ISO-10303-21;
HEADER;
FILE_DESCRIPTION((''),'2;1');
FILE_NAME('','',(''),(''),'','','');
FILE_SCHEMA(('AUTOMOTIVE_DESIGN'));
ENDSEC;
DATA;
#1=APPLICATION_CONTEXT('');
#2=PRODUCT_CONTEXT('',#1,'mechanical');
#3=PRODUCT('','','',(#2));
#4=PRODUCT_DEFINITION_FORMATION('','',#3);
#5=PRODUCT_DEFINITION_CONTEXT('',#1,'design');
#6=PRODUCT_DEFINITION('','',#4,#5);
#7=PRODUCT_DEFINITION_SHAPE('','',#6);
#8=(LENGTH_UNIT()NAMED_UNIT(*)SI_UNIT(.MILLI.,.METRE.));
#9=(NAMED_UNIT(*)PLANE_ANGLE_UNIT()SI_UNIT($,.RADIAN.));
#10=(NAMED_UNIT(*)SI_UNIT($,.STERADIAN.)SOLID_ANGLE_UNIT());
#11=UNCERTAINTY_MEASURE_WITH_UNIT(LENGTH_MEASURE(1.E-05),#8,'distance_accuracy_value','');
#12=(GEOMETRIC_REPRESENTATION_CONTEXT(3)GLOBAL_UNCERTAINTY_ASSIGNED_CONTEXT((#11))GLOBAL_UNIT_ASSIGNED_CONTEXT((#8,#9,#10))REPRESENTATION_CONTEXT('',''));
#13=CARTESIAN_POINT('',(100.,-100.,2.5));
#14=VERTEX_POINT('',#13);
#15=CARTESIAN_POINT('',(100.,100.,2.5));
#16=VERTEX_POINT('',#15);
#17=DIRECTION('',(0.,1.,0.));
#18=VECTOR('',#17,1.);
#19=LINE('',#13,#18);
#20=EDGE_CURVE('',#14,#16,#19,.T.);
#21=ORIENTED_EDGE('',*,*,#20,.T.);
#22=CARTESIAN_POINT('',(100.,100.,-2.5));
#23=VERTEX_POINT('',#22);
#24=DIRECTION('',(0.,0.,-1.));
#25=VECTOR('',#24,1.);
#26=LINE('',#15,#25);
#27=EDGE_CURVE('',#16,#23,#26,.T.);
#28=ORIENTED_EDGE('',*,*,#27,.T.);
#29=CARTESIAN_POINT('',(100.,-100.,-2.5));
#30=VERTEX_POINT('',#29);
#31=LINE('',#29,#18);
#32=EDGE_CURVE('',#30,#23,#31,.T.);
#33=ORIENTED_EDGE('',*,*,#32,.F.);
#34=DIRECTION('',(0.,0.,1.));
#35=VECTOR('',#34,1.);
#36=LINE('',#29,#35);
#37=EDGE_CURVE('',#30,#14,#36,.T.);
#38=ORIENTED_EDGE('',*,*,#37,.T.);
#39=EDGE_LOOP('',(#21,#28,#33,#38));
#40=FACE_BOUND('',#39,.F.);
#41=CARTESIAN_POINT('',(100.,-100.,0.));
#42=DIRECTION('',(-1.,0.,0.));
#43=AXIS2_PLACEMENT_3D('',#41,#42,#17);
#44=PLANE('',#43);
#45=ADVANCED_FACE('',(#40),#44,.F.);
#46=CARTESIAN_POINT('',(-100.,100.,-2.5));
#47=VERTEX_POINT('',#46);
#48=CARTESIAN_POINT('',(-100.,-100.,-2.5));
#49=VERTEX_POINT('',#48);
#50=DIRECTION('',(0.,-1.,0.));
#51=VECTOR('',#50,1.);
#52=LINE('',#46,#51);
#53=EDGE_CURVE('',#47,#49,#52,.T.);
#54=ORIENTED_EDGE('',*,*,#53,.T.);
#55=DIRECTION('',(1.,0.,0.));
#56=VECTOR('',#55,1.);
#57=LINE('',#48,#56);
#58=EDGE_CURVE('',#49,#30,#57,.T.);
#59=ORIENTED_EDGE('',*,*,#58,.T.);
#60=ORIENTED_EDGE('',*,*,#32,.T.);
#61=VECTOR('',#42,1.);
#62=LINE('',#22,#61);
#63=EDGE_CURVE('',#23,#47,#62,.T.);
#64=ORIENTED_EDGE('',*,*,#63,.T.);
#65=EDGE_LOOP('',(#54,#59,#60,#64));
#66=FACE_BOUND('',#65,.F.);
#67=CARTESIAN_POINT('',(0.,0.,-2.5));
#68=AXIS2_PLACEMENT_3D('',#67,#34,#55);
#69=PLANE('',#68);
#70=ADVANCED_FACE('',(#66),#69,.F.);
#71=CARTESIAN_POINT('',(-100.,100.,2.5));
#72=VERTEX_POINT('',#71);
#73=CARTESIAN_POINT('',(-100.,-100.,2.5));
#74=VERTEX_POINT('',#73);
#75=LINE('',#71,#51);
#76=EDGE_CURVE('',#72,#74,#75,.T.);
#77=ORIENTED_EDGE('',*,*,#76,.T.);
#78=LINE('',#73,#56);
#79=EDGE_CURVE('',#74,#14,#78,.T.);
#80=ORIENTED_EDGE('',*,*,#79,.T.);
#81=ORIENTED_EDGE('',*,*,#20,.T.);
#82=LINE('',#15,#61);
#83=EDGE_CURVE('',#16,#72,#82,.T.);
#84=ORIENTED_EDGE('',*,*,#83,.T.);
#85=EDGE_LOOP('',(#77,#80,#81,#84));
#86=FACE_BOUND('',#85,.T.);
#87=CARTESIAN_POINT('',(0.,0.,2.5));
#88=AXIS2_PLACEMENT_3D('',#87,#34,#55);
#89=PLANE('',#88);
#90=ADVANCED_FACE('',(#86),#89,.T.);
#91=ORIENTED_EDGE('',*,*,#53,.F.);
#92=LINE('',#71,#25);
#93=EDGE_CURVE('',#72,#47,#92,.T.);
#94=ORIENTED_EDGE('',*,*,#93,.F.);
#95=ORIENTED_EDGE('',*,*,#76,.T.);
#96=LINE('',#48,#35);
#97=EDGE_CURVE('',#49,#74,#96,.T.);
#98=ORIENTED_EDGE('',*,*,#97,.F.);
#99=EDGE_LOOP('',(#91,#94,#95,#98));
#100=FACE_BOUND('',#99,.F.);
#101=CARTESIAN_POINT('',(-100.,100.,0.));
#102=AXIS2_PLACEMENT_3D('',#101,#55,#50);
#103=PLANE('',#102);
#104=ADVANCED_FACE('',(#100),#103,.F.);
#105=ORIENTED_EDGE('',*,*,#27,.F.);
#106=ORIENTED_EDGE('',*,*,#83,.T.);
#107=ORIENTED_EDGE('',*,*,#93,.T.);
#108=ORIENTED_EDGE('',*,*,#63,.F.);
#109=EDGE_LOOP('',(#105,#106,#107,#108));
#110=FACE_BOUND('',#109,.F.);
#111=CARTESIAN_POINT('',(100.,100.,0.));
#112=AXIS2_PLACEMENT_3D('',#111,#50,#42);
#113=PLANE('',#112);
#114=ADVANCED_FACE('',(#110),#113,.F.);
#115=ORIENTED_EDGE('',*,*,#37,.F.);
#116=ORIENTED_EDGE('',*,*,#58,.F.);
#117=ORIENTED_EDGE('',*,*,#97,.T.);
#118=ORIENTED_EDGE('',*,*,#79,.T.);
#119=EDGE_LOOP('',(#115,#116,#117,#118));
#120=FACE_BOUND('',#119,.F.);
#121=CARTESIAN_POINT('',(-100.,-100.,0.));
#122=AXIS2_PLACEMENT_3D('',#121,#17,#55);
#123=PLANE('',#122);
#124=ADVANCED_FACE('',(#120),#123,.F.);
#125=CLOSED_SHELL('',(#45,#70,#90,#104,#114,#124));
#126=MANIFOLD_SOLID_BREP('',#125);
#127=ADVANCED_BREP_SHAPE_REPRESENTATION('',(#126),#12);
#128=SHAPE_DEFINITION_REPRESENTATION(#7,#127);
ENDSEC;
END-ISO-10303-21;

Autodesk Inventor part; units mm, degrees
ref_plane "YZ Plane" through (0, 0, 0) normal (1, 0, 0) x (0, 1, 0)
ref_plane "XZ Plane" through (0, 0, 0) normal (0, 1, 0) x (-1, 0, 0)
ref_plane "XY Plane" through (0, 0, 0) normal (0, 0, 1) x (1, 0, 0)
sketch "Sketch1" plane through (0, 0, 0) normal (0, 0, 1) x (1, 0, 0)
  line L0 (-100, -100) -> (100, -100)
  line L1 (100, -100) -> (100, 100)
  line L2 (100, 100) -> (-100, 100)
  line L3 (-100, 100) -> (-100, -100)
  point P0 (0, 0)
  dimension "x1" = 100
  dimension "x2" = 100
  dimension "y1" = 100
  dimension "y2" = 100
extrude "Extrusion1" add sketch "Sketch1" along normal mid plane 5
equation "\"x1\" = 0.5 * x"
equation "\"x2\" = 0.5 * x"
equation "\"y1\" = 0.5 * y"
equation "\"y2\" = 0.5 * y"
equation "\"z2\" = z"
equation "\"z\" = 5"
equation "\"x\" = 200"
equation "\"y\" = 200"
properties part number "Box3"
